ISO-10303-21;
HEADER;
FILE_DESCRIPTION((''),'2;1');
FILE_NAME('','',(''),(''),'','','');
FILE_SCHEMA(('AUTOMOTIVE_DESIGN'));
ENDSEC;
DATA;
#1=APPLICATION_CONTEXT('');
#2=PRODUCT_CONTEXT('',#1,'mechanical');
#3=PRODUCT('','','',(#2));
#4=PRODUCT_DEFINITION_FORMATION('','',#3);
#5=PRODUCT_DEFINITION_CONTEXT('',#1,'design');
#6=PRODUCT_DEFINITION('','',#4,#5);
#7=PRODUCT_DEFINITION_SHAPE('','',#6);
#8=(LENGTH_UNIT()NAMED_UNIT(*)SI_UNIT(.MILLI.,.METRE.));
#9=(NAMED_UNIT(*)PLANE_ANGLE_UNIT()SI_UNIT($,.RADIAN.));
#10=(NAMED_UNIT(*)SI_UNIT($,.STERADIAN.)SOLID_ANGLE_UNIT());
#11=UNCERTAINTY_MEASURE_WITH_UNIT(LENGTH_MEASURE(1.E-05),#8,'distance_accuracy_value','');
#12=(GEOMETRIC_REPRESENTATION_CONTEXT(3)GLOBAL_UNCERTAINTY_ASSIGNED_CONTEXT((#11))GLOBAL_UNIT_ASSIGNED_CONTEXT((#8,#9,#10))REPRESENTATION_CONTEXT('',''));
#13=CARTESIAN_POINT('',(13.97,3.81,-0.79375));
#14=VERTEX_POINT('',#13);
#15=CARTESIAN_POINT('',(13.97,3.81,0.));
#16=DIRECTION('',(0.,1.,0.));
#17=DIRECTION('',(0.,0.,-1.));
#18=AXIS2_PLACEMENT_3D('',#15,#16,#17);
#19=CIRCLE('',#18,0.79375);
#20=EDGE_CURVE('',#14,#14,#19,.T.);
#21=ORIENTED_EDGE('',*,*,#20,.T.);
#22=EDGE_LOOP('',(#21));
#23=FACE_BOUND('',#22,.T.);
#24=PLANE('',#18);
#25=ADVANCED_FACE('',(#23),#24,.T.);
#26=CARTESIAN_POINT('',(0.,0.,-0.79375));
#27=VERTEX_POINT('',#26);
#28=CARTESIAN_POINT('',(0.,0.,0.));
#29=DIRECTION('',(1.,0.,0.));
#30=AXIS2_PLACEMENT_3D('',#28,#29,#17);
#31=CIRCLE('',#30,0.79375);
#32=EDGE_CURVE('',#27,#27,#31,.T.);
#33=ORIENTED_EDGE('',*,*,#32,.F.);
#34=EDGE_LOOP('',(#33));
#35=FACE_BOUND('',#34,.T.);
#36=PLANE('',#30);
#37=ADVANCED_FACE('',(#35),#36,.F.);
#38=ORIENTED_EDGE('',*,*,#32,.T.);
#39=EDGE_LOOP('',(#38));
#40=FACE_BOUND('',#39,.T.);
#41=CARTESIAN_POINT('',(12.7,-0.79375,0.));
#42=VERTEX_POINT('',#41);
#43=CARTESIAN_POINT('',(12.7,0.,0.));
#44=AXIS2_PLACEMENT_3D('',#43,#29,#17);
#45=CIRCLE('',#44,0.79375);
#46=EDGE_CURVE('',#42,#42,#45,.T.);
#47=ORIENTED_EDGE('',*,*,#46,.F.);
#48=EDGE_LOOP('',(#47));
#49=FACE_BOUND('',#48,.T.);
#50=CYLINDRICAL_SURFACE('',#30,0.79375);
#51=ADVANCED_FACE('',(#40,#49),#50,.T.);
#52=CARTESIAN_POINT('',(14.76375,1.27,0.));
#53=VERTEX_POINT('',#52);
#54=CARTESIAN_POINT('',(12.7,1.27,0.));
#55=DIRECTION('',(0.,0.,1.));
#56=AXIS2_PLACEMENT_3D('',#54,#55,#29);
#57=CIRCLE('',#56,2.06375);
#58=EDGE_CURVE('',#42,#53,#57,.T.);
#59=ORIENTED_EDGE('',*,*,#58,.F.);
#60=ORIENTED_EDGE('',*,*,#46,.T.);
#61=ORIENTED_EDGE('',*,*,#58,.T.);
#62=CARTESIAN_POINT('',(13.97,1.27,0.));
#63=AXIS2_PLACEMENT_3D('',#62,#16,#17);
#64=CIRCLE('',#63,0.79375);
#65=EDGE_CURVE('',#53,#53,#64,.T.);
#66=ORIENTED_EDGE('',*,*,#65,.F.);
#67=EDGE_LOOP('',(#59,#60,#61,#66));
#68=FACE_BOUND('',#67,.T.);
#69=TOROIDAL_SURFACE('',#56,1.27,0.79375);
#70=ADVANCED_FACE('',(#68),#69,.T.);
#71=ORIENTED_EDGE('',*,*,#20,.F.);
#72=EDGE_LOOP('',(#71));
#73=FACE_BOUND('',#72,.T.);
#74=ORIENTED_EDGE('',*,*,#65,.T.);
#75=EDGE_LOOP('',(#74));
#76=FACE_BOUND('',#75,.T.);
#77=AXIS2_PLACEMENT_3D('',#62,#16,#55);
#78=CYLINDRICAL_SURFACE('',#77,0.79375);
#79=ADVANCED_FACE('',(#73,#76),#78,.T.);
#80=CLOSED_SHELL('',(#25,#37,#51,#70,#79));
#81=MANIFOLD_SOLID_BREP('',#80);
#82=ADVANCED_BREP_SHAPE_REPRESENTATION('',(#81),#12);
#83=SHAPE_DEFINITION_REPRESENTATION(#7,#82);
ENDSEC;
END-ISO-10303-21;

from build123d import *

# Parameters (mm, degrees)
SKETCH1_R = 0.79375


with BuildPart() as part:
    # Sweep1: sweep along a path in Sketch2
    with BuildLine(Plane.XY) as sweep1_path:
        Line((0, 0), (12.7, 0))
        ThreePointArc((12.7, 0), (13.598025612, 0.371974388), (13.97, 1.27))
        Line((13.97, 1.27), (13.97, 3.81))
    # Sketch1 → Sweep1 (sweep)
    with BuildSketch(Plane(origin=(0, 0, 0), x_dir=(0, 0, -1), z_dir=(1, 0, 0))):
        Circle(SKETCH1_R)
    sweep(path=sweep1_path.line)


solid = part.part
